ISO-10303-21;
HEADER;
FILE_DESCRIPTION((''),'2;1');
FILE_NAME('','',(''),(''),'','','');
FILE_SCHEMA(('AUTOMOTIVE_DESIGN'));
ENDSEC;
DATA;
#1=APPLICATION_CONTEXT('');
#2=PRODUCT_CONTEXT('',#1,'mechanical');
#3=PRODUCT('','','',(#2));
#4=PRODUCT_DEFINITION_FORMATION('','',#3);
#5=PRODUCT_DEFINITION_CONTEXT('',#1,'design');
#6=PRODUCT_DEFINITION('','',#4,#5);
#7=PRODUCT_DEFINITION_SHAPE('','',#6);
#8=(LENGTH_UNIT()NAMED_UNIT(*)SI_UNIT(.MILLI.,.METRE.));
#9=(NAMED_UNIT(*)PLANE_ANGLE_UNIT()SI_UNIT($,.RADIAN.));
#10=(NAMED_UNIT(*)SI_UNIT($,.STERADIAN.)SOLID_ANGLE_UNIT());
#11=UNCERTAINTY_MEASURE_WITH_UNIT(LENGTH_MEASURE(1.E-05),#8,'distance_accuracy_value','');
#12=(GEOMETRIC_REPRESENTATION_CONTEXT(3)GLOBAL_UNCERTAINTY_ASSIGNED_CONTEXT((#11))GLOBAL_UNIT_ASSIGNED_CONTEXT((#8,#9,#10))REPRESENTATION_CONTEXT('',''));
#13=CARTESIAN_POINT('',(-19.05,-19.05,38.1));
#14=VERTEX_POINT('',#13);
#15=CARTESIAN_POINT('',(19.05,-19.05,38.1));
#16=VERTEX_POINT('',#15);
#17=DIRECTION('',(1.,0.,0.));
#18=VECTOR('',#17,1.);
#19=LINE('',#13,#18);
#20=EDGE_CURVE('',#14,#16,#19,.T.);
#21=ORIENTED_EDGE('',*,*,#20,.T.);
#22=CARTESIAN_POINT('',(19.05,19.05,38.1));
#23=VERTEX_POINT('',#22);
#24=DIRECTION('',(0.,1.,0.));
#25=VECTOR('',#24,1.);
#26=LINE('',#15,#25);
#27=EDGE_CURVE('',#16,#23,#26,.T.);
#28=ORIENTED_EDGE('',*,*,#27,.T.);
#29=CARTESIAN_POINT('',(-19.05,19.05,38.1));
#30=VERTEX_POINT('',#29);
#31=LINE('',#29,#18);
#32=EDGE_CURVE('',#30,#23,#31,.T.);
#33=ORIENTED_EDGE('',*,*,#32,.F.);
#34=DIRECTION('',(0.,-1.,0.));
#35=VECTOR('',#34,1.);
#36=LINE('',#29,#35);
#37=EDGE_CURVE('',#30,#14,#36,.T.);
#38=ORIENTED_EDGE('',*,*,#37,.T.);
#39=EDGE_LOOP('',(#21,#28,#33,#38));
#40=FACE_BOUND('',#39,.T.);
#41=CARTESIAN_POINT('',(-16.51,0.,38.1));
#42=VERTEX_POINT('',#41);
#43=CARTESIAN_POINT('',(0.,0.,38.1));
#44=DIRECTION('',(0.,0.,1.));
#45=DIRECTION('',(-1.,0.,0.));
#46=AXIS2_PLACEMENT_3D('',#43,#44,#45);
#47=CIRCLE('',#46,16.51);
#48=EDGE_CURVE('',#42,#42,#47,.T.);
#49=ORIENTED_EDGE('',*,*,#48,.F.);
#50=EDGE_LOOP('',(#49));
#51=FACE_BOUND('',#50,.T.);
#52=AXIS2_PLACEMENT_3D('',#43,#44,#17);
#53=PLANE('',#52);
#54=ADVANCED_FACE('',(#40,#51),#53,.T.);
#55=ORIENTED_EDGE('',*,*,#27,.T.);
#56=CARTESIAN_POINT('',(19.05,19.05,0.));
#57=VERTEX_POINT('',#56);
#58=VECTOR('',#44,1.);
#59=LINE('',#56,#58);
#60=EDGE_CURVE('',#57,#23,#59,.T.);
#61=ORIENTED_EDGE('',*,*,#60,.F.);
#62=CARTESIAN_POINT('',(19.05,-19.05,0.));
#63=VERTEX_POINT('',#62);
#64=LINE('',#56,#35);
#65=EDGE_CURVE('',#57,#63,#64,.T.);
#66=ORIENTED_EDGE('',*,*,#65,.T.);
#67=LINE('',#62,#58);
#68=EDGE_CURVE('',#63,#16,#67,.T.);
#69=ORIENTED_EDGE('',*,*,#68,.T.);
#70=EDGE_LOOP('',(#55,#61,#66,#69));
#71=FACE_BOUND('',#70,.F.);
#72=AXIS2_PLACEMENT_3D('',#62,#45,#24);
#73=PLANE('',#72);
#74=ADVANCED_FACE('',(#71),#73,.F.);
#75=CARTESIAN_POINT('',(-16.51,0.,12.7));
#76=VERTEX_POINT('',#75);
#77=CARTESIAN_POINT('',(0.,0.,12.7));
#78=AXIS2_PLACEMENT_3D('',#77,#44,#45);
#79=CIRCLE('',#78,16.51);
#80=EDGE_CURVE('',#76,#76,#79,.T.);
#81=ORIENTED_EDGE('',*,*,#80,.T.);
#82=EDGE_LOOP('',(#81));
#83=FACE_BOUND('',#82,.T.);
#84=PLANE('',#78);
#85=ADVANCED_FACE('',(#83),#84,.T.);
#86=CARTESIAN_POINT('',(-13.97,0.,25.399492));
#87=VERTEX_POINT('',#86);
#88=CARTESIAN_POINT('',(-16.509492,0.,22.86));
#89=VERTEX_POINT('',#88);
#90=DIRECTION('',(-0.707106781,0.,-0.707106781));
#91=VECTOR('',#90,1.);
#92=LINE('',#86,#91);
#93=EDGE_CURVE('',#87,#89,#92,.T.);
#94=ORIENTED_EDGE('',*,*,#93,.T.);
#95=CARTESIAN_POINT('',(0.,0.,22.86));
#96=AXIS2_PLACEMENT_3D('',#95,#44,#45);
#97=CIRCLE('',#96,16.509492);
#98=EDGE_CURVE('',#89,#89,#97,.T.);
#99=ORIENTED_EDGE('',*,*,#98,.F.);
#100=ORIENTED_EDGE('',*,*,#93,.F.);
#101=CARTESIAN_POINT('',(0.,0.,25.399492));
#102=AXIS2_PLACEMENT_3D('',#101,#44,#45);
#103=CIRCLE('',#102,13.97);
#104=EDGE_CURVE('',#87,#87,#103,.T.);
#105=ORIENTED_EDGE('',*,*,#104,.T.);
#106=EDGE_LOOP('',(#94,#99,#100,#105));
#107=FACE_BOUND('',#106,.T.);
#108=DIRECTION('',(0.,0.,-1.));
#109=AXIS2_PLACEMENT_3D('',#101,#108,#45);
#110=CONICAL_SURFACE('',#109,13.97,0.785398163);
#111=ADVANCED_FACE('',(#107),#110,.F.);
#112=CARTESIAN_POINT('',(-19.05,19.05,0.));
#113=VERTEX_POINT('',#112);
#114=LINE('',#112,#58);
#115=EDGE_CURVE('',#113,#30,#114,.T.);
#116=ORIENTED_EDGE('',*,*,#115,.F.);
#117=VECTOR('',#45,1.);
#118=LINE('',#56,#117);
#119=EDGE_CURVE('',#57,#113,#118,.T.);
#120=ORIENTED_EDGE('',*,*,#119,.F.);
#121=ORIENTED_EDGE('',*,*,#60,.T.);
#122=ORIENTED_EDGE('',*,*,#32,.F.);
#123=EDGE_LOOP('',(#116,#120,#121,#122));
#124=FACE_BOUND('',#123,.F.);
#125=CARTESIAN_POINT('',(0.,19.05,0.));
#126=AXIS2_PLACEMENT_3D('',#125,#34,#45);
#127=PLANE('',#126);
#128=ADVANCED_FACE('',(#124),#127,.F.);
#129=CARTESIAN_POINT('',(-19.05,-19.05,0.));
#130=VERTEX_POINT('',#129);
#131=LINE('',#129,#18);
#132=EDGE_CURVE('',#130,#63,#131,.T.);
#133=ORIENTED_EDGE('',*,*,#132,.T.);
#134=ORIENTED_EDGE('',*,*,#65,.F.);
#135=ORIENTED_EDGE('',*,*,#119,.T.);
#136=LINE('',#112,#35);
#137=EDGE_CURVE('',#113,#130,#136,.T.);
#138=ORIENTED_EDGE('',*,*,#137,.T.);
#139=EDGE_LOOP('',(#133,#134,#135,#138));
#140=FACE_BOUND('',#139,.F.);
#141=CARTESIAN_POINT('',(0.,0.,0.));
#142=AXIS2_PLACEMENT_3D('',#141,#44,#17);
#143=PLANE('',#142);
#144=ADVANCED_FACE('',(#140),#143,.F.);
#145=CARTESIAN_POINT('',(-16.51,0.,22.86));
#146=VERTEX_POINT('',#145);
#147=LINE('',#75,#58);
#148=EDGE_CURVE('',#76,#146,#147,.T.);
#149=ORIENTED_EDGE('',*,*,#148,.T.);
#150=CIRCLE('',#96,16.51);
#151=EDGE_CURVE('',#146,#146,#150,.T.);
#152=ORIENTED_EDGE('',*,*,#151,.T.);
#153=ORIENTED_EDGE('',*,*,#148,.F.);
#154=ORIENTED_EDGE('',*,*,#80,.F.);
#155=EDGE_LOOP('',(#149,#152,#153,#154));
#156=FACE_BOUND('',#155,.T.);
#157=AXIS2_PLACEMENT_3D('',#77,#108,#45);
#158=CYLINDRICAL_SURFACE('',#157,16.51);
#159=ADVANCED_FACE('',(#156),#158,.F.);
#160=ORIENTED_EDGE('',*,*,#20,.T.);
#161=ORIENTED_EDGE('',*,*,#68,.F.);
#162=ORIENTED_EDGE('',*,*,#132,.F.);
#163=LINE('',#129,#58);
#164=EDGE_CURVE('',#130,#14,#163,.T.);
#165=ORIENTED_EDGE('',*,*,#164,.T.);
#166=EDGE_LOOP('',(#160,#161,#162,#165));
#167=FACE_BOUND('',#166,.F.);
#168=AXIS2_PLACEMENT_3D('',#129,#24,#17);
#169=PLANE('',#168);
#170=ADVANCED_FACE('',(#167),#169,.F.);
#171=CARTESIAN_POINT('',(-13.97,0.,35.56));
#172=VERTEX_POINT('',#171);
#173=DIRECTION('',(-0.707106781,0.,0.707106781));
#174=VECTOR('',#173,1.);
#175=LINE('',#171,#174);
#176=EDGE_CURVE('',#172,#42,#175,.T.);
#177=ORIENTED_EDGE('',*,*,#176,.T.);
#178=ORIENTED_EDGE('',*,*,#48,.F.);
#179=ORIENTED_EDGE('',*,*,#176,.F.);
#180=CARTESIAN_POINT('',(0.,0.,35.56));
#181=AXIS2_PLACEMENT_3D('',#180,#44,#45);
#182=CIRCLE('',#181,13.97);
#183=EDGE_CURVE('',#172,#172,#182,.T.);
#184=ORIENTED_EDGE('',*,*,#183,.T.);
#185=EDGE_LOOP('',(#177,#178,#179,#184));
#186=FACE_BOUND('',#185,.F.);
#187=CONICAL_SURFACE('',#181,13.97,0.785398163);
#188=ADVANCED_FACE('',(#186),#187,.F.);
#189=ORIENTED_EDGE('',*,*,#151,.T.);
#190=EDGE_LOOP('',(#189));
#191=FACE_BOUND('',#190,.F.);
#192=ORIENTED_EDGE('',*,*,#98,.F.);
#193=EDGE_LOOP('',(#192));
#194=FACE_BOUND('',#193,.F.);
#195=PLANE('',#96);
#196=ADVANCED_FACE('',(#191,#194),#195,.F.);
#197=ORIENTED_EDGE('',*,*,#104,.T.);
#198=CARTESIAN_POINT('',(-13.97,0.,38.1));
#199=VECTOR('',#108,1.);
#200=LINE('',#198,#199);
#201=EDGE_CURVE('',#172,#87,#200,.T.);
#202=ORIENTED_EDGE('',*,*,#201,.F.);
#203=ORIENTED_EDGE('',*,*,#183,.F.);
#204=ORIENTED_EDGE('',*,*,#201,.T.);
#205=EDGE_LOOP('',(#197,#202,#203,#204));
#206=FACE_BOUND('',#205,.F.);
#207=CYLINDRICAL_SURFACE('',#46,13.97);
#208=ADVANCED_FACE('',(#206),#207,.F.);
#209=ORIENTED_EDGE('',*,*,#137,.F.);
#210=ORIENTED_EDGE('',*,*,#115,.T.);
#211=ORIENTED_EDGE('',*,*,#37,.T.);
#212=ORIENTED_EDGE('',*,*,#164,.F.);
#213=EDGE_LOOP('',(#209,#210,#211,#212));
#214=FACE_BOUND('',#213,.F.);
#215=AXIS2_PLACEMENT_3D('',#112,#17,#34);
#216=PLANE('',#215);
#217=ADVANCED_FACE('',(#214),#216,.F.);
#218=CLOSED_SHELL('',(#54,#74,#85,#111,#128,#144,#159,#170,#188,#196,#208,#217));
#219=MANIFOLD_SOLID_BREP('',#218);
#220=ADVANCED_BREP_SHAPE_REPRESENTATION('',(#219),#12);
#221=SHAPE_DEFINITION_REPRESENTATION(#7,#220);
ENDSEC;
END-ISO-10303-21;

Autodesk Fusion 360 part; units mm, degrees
sketch "Sketch1" plane through (0, 0, 0) normal (0, 0, 1) x (1, 0, 0)
  line L0 (-19.05, -19.05) -> (19.05, -19.05)
  line L1 (19.05, -19.05) -> (19.05, 19.05)
  line L2 (19.05, 19.05) -> (-19.05, 19.05)
  line L3 (-19.05, 19.05) -> (-19.05, -19.05)
  line L4 (0, 1.75) -> (0, 22.5)
  line L5 (1.75, 0) -> (22.5, 0)
  dimension "d1" = 38.1
  dimension "d2" = 38.1
extrude "Extrude1" add sketch "Sketch1" along normal blind 38.1
sketch "Sketch2" plane through (0, 0, 38.1) normal (0, 0, 1) x (-1, 0, 0)
  line L0 (19.05, -19.05) -> (19.05, 19.05)
  line L1 (19.05, 19.05) -> (-19.05, 19.05)
  line L2 (-19.05, 19.05) -> (-19.05, -19.05)
  line L3 (-19.05, -19.05) -> (19.05, -19.05)
  circle A0 centre (0, 0) radius 13.97
  dimension "d5" = 27.94
extrude "Extrude2" cut sketch "Sketch2" against normal blind 25.4 contours A0
sketch "Sketch3" plane through (0, 0, 12.7) normal (0, 0, 1) x (-1, 0, 0)
  circle A0 centre (0, 0) radius 13.97
  circle A1 centre (0, 0) radius 16.51
  dimension "d8" = 2.54
extrude "Extrude3" cut sketch "Sketch3" along normal blind 10.16 contours A0 | A1
chamfer "Chamfer1" distance 2.54 angle 45 1 edges at (13.0246, -5.0518, 22.86)
chamfer "Chamfer2" distance 2.54 angle 45 1 edges at (13.0246, -5.0518, 38.1)
